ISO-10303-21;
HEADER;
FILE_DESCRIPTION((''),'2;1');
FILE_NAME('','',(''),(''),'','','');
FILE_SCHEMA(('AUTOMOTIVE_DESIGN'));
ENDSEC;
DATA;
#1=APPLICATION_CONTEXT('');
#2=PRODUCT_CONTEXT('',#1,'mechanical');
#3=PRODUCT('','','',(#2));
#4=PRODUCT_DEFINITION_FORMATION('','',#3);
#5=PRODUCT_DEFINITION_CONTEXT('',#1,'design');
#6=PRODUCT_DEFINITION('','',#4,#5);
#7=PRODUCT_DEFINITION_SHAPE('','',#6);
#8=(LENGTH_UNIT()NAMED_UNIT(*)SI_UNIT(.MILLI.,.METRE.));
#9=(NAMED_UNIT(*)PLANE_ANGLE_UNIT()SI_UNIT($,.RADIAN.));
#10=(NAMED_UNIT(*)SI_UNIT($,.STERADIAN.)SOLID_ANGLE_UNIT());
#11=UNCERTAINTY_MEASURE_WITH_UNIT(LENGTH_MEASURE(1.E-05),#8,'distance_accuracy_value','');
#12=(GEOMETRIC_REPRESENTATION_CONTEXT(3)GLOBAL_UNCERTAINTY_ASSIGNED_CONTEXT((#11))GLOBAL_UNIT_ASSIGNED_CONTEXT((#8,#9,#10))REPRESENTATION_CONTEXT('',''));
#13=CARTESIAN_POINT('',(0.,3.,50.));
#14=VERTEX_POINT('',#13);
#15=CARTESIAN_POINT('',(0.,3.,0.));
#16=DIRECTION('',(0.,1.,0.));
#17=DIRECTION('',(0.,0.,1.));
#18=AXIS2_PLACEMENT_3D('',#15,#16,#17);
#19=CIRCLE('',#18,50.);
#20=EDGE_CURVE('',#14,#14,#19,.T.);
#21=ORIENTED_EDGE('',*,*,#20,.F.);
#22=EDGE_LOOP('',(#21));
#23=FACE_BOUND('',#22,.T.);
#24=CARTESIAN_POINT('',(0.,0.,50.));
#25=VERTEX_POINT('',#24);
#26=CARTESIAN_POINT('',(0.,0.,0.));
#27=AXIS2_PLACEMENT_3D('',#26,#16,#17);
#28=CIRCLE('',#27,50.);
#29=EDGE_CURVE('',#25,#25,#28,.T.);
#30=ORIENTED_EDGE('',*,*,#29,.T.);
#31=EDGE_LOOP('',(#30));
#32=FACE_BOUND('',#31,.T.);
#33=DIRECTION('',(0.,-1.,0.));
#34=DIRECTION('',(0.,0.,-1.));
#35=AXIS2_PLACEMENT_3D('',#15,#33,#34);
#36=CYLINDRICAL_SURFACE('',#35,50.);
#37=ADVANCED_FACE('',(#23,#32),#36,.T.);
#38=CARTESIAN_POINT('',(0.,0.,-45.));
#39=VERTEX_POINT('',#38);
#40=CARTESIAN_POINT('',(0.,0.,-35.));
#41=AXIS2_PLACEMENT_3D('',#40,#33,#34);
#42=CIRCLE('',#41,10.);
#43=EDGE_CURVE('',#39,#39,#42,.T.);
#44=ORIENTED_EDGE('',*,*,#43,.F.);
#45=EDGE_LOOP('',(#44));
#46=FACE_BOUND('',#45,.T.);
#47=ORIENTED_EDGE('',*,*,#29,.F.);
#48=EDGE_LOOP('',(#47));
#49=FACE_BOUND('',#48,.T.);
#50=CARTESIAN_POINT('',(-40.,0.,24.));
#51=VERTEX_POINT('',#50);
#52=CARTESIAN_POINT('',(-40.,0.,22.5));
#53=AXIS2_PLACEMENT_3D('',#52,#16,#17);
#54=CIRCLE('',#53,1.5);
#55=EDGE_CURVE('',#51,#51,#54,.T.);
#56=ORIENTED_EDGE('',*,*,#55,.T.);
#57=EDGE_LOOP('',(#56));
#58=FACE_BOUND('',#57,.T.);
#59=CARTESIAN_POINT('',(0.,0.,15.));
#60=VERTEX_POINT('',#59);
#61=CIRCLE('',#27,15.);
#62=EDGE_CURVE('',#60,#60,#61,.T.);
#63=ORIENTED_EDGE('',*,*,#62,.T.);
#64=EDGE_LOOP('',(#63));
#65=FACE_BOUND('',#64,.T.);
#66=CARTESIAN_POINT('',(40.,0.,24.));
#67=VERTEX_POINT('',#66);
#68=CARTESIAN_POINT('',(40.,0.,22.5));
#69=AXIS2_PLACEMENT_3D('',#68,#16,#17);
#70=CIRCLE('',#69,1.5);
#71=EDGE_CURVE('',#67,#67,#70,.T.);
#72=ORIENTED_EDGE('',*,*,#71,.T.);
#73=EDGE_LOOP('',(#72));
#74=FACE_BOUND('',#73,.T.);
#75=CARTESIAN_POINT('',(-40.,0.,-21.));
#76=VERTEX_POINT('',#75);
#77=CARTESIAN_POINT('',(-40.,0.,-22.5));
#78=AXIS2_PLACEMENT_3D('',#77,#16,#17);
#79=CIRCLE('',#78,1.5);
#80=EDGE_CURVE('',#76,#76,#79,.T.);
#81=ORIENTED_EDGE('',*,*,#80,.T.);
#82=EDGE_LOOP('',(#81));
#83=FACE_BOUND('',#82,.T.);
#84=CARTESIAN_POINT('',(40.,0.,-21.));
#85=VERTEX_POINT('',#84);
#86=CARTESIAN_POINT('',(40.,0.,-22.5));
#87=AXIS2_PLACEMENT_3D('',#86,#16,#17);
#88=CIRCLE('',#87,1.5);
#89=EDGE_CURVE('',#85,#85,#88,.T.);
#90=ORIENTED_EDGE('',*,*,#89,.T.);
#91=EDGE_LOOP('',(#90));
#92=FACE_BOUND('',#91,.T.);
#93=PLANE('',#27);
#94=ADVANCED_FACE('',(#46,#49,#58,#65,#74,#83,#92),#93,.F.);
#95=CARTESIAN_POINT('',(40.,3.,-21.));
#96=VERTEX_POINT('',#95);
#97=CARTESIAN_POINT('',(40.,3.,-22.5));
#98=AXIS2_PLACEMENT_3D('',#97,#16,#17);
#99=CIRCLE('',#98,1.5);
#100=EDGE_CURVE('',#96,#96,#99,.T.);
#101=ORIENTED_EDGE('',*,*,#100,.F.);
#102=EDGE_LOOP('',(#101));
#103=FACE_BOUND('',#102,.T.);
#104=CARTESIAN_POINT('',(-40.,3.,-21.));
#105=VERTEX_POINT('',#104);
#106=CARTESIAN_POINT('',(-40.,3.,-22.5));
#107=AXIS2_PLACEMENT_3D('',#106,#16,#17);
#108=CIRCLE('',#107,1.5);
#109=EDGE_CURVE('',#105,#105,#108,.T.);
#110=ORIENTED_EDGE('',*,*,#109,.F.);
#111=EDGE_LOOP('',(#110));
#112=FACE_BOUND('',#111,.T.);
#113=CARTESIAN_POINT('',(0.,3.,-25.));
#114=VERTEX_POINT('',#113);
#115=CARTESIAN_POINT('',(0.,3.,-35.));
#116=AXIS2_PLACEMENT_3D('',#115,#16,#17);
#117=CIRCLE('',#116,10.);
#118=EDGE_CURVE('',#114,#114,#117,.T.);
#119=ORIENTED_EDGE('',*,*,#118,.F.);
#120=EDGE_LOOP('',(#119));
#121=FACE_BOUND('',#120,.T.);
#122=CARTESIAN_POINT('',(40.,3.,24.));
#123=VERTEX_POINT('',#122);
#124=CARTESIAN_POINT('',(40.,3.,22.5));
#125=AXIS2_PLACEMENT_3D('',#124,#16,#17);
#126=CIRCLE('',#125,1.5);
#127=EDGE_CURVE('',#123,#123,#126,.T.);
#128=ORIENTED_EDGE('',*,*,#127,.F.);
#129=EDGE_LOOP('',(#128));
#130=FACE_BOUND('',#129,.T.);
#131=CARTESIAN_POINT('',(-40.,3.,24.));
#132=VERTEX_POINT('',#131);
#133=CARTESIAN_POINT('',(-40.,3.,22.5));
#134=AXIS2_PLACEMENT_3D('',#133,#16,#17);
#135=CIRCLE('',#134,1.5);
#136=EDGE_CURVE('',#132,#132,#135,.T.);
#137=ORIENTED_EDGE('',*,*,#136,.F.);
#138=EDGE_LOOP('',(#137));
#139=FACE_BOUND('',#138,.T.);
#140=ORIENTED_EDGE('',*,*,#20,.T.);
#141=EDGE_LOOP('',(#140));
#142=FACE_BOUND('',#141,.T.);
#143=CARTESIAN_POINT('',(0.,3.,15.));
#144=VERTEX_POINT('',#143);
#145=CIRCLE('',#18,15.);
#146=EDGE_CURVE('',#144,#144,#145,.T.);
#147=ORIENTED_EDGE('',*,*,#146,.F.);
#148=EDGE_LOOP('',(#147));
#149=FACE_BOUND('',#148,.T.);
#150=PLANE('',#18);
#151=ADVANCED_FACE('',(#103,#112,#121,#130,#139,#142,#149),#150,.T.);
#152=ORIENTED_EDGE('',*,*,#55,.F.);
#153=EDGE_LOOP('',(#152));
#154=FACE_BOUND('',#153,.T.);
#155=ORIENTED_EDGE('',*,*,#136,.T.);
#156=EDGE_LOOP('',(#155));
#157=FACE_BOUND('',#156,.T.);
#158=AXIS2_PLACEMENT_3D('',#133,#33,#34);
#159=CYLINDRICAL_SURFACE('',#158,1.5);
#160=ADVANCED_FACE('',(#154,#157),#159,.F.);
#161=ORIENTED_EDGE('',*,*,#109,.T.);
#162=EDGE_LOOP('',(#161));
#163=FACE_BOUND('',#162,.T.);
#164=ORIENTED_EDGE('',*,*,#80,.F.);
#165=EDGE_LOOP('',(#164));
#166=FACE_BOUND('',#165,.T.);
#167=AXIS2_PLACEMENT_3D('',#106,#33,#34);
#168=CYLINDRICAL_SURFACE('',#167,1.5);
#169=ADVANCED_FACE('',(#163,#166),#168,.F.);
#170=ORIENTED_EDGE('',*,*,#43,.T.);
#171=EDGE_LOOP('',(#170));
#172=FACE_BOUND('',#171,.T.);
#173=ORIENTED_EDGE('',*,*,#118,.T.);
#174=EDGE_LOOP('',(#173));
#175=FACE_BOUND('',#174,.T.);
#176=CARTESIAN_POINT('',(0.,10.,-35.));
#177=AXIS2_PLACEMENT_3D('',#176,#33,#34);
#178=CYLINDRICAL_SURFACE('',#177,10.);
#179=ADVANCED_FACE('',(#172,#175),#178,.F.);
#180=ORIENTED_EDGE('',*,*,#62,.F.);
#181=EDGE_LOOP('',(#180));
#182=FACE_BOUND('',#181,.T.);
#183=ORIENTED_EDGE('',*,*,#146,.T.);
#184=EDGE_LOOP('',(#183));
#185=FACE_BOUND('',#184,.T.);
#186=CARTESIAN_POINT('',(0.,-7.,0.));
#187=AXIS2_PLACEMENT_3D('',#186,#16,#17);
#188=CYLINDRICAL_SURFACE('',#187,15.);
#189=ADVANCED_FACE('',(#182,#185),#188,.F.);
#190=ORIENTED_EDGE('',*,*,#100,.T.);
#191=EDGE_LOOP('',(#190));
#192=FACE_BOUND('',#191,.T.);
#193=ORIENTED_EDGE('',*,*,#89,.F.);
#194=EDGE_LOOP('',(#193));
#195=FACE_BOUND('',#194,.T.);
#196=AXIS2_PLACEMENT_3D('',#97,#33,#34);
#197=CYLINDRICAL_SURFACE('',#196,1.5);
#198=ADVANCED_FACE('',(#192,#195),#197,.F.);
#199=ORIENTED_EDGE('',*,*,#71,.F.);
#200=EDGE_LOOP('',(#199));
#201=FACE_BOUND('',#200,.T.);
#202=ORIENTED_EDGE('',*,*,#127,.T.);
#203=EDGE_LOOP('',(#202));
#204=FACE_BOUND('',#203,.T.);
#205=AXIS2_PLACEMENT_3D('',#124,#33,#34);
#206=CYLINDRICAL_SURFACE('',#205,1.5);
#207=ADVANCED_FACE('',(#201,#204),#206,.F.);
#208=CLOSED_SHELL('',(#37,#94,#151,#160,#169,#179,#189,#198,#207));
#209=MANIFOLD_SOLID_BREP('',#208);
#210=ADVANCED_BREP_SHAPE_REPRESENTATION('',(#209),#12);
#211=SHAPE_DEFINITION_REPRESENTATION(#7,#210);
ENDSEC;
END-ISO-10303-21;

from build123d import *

# Parameters (mm, degrees)
SKETCH1_R           = 50
SKETCH1_R_2         = 1.5
BOSS_EXTRUDE1_DEPTH = 3
SKETCH2_R           = 15
CUT_EXTRUDE1_DEPTH  = 10
SKETCH3_R           = 10
CUT_EXTRUDE2_DEPTH  = 10


with BuildPart() as part:
    # Sketch1 → Boss-Extrude1 (new body)
    with BuildSketch(Plane(origin=(0, 0, 0), x_dir=(1, 0, 0), z_dir=(0, 1, 0))):
        with Locations(Location((0, 0, 0), (0, 0, 270))):
            Circle(SKETCH1_R)
        with Locations(Location((-40, 22.5, 0), (0, 0, 270))):
            Circle(SKETCH1_R_2, mode=Mode.SUBTRACT)
        with Locations(Location((40, 22.5, 0), (0, 0, 270))):
            Circle(SKETCH1_R_2, mode=Mode.SUBTRACT)
        with Locations(Location((40, -22.5, 0), (0, 0, 270))):
            Circle(SKETCH1_R_2, mode=Mode.SUBTRACT)
        with Locations(Location((-40, -22.5, 0), (0, 0, 270))):
            Circle(SKETCH1_R_2, mode=Mode.SUBTRACT)
    extrude(amount=BOSS_EXTRUDE1_DEPTH)

    # Sketch2 → Cut-Extrude1 (cut)
    with BuildSketch(Plane(origin=(0, 3, 0), x_dir=(1, 0, 0), z_dir=(0, 1, 0))):
        with Locations(Location((0, 0, 0), (0, 0, 270))):
            Circle(SKETCH2_R)
    extrude(amount=-CUT_EXTRUDE1_DEPTH, mode=Mode.SUBTRACT)

    # Sketch3 → Cut-Extrude2 (cut)
    with BuildSketch(Plane.XZ):
        with Locations(Location((0, -35, 0), (0, 0, 270))):
            Circle(SKETCH3_R)
    extrude(amount=-CUT_EXTRUDE2_DEPTH, mode=Mode.SUBTRACT)


solid = part.part
